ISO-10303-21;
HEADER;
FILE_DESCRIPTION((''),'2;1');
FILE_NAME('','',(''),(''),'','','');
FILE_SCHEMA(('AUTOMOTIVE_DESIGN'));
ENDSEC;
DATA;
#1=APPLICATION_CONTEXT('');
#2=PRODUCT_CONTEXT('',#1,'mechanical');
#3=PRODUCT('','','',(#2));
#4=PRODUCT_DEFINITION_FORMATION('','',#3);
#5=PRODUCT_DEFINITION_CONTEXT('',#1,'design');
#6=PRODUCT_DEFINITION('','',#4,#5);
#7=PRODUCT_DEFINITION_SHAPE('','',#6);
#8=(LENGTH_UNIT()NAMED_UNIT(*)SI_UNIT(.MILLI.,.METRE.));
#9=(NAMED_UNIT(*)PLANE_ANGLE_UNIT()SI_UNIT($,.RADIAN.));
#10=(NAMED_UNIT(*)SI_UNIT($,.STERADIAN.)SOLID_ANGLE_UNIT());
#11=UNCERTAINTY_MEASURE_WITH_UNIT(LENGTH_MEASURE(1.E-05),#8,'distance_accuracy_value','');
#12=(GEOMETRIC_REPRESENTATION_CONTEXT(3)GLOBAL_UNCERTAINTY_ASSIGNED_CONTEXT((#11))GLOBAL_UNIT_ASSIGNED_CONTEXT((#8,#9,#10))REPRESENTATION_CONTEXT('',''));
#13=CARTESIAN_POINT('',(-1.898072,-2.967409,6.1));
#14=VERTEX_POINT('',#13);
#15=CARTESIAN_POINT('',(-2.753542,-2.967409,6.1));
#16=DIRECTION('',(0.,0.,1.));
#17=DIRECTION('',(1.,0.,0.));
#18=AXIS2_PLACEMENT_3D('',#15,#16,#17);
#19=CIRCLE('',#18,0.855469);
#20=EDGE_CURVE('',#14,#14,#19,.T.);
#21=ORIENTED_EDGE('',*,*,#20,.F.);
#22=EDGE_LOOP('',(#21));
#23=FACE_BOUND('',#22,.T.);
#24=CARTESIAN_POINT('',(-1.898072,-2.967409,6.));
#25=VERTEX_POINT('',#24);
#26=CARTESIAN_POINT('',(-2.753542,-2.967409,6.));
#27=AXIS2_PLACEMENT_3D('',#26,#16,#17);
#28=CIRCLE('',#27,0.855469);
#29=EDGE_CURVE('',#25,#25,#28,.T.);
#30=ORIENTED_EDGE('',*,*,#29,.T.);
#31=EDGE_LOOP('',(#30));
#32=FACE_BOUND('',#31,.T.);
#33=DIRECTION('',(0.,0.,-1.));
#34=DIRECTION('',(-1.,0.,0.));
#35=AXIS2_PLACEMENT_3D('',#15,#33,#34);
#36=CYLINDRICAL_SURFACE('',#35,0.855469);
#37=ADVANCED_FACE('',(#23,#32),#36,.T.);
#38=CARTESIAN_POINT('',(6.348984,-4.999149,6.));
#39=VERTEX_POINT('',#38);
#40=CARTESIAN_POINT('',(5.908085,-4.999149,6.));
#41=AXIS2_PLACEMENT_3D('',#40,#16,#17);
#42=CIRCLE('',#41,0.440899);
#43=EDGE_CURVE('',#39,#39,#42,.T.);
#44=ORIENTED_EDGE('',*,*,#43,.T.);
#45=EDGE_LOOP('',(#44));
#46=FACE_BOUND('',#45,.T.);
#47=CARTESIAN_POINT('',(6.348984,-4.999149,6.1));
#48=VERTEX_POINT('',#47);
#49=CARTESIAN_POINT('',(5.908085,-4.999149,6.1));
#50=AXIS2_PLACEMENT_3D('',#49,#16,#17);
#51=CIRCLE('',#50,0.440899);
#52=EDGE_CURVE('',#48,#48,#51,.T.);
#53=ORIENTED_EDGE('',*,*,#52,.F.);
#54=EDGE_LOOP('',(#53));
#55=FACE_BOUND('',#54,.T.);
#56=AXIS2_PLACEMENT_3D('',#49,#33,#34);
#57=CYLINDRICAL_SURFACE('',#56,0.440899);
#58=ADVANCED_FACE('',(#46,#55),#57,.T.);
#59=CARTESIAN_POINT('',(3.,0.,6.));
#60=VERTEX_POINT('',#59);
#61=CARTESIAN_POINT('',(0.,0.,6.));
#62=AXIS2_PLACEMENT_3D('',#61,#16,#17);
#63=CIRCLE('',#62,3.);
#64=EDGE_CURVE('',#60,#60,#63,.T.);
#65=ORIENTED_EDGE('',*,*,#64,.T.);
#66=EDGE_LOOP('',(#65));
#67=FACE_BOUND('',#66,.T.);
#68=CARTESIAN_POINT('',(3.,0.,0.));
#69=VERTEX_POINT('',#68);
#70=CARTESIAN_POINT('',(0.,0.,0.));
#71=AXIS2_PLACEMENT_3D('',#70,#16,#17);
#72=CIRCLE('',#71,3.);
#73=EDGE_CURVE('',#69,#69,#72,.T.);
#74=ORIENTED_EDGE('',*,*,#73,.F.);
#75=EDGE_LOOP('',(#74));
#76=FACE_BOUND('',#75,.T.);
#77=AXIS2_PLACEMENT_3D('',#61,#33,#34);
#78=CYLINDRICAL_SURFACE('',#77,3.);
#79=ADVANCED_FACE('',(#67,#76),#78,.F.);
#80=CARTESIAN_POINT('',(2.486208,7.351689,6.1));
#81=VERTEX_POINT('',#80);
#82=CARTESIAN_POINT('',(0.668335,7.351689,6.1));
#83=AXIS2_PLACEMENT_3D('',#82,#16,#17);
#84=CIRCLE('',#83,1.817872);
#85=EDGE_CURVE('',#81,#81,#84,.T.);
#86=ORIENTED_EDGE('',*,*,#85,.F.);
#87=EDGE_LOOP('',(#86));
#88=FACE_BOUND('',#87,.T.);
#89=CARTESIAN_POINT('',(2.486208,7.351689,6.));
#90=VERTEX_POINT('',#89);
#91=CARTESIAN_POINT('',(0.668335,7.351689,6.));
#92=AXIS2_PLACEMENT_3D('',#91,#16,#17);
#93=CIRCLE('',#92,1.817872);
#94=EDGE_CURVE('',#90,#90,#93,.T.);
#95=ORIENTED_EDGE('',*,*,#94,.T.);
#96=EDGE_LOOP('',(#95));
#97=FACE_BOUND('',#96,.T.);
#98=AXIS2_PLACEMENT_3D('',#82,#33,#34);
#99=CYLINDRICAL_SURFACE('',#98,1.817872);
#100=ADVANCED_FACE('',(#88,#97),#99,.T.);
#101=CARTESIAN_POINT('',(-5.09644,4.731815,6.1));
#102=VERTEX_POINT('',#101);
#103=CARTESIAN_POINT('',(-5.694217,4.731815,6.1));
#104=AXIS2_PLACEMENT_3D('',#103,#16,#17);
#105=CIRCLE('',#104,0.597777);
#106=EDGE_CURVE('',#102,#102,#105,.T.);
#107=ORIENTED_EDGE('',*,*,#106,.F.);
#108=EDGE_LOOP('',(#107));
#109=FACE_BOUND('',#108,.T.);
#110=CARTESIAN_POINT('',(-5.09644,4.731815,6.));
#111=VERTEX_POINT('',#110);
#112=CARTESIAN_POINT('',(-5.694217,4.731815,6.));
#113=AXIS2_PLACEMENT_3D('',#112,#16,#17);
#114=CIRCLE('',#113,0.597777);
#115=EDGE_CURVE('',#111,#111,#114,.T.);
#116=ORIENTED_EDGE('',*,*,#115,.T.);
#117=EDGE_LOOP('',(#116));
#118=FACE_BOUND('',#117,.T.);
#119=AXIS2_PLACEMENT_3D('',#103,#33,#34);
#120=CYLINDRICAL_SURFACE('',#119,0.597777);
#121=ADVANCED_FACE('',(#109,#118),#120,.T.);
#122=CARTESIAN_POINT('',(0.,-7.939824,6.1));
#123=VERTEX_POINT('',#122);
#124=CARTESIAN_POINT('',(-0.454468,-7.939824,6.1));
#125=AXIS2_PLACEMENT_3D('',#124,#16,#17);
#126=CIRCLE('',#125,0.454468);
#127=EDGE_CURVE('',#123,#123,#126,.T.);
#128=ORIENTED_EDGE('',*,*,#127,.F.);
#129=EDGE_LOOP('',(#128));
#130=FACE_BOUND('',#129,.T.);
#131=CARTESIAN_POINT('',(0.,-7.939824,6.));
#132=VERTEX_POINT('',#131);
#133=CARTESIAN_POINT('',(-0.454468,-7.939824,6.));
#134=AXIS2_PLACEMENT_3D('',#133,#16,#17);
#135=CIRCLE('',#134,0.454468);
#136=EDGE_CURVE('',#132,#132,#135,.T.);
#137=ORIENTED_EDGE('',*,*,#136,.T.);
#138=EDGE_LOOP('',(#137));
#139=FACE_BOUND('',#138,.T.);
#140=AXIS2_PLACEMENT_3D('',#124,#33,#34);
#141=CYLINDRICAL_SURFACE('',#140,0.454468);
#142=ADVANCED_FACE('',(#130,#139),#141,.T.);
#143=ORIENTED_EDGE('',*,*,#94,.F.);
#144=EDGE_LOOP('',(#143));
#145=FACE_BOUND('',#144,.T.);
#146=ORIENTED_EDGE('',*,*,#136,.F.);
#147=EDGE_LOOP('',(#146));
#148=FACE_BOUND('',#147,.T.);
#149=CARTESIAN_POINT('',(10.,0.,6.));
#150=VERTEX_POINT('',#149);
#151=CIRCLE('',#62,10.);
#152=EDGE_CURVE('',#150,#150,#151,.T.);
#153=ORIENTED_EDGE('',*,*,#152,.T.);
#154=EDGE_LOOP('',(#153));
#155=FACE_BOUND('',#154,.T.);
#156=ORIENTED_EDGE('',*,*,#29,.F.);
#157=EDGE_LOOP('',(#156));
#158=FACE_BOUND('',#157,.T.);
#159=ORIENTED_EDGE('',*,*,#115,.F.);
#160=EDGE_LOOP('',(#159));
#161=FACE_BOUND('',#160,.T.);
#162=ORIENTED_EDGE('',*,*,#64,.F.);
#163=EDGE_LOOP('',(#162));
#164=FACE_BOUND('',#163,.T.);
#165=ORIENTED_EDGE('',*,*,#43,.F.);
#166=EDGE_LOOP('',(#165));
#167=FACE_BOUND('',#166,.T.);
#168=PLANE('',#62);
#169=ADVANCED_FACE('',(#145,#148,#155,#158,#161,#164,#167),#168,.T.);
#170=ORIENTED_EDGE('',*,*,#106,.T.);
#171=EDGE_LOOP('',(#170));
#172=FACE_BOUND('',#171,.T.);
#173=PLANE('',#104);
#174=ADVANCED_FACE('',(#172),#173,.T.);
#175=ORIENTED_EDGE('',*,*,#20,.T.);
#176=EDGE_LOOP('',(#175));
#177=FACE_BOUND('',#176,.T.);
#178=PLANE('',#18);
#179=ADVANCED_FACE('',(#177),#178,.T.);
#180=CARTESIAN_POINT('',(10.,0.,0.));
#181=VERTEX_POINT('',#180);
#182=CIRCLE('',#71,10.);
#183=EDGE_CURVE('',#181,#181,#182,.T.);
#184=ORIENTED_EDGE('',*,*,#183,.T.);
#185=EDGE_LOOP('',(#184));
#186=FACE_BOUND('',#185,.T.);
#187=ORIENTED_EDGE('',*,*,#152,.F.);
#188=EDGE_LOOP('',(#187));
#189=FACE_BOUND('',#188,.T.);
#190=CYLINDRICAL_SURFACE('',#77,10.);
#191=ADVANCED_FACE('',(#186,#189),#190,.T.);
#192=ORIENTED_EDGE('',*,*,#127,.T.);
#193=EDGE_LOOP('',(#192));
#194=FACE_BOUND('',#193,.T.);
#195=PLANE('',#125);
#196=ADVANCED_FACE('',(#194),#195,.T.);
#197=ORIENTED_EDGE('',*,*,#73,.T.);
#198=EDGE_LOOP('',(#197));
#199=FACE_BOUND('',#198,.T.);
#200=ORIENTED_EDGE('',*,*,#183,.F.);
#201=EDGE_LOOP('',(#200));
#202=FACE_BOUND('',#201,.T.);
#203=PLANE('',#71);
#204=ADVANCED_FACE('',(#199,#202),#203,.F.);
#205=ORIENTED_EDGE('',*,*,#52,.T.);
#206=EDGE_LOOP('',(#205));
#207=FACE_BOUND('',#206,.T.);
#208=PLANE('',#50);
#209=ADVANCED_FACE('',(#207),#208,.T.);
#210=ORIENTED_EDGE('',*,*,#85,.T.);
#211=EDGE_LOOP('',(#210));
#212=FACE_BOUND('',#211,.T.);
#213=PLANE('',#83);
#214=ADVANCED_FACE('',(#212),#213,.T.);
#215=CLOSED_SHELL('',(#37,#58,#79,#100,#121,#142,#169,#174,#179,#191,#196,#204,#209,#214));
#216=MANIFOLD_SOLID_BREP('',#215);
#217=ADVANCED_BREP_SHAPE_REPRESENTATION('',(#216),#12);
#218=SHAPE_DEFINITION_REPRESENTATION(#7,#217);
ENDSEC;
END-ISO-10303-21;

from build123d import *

# Parameters (mm, degrees)
ESBO_O1_R                = 10
ESBO_O1_R_2              = 3
RESSALTO_EXTRUS_O1_DEPTH = 6
ESBO_O2_R                = 0.597777341
ESBO_O2_R_2              = 1.817872247
ESBO_O2_R_3              = 0.440898782
ESBO_O2_R_4              = 0.855469293
ESBO_O2_R_5              = 0.454468062
RESSALTO_EXTRUS_O2_DEPTH = 0.1


with BuildPart() as part:
    # Esboço1 → Ressalto-extrusão1 (new body)
    with BuildSketch(Plane.XY):
        Circle(ESBO_O1_R)
        Circle(ESBO_O1_R_2, mode=Mode.SUBTRACT)
    extrude(amount=RESSALTO_EXTRUS_O1_DEPTH)

    # Esboço2 → Ressalto-extrusão2 (add)
    with BuildSketch(Plane.XY.offset(6)):
        with Locations((-5.694217479, 4.731814525)):
            Circle(ESBO_O2_R)
        with Locations((0.668335385, 7.351689234)):
            Circle(ESBO_O2_R_2)
        with Locations((5.908084803, -4.999148679)):
            Circle(ESBO_O2_R_3)
        with Locations((-2.753541786, -2.967409109)):
            Circle(ESBO_O2_R_4)
        with Locations((-0.454468062, -7.939824373)):
            Circle(ESBO_O2_R_5)
    extrude(amount=RESSALTO_EXTRUS_O2_DEPTH)


solid = part.part
